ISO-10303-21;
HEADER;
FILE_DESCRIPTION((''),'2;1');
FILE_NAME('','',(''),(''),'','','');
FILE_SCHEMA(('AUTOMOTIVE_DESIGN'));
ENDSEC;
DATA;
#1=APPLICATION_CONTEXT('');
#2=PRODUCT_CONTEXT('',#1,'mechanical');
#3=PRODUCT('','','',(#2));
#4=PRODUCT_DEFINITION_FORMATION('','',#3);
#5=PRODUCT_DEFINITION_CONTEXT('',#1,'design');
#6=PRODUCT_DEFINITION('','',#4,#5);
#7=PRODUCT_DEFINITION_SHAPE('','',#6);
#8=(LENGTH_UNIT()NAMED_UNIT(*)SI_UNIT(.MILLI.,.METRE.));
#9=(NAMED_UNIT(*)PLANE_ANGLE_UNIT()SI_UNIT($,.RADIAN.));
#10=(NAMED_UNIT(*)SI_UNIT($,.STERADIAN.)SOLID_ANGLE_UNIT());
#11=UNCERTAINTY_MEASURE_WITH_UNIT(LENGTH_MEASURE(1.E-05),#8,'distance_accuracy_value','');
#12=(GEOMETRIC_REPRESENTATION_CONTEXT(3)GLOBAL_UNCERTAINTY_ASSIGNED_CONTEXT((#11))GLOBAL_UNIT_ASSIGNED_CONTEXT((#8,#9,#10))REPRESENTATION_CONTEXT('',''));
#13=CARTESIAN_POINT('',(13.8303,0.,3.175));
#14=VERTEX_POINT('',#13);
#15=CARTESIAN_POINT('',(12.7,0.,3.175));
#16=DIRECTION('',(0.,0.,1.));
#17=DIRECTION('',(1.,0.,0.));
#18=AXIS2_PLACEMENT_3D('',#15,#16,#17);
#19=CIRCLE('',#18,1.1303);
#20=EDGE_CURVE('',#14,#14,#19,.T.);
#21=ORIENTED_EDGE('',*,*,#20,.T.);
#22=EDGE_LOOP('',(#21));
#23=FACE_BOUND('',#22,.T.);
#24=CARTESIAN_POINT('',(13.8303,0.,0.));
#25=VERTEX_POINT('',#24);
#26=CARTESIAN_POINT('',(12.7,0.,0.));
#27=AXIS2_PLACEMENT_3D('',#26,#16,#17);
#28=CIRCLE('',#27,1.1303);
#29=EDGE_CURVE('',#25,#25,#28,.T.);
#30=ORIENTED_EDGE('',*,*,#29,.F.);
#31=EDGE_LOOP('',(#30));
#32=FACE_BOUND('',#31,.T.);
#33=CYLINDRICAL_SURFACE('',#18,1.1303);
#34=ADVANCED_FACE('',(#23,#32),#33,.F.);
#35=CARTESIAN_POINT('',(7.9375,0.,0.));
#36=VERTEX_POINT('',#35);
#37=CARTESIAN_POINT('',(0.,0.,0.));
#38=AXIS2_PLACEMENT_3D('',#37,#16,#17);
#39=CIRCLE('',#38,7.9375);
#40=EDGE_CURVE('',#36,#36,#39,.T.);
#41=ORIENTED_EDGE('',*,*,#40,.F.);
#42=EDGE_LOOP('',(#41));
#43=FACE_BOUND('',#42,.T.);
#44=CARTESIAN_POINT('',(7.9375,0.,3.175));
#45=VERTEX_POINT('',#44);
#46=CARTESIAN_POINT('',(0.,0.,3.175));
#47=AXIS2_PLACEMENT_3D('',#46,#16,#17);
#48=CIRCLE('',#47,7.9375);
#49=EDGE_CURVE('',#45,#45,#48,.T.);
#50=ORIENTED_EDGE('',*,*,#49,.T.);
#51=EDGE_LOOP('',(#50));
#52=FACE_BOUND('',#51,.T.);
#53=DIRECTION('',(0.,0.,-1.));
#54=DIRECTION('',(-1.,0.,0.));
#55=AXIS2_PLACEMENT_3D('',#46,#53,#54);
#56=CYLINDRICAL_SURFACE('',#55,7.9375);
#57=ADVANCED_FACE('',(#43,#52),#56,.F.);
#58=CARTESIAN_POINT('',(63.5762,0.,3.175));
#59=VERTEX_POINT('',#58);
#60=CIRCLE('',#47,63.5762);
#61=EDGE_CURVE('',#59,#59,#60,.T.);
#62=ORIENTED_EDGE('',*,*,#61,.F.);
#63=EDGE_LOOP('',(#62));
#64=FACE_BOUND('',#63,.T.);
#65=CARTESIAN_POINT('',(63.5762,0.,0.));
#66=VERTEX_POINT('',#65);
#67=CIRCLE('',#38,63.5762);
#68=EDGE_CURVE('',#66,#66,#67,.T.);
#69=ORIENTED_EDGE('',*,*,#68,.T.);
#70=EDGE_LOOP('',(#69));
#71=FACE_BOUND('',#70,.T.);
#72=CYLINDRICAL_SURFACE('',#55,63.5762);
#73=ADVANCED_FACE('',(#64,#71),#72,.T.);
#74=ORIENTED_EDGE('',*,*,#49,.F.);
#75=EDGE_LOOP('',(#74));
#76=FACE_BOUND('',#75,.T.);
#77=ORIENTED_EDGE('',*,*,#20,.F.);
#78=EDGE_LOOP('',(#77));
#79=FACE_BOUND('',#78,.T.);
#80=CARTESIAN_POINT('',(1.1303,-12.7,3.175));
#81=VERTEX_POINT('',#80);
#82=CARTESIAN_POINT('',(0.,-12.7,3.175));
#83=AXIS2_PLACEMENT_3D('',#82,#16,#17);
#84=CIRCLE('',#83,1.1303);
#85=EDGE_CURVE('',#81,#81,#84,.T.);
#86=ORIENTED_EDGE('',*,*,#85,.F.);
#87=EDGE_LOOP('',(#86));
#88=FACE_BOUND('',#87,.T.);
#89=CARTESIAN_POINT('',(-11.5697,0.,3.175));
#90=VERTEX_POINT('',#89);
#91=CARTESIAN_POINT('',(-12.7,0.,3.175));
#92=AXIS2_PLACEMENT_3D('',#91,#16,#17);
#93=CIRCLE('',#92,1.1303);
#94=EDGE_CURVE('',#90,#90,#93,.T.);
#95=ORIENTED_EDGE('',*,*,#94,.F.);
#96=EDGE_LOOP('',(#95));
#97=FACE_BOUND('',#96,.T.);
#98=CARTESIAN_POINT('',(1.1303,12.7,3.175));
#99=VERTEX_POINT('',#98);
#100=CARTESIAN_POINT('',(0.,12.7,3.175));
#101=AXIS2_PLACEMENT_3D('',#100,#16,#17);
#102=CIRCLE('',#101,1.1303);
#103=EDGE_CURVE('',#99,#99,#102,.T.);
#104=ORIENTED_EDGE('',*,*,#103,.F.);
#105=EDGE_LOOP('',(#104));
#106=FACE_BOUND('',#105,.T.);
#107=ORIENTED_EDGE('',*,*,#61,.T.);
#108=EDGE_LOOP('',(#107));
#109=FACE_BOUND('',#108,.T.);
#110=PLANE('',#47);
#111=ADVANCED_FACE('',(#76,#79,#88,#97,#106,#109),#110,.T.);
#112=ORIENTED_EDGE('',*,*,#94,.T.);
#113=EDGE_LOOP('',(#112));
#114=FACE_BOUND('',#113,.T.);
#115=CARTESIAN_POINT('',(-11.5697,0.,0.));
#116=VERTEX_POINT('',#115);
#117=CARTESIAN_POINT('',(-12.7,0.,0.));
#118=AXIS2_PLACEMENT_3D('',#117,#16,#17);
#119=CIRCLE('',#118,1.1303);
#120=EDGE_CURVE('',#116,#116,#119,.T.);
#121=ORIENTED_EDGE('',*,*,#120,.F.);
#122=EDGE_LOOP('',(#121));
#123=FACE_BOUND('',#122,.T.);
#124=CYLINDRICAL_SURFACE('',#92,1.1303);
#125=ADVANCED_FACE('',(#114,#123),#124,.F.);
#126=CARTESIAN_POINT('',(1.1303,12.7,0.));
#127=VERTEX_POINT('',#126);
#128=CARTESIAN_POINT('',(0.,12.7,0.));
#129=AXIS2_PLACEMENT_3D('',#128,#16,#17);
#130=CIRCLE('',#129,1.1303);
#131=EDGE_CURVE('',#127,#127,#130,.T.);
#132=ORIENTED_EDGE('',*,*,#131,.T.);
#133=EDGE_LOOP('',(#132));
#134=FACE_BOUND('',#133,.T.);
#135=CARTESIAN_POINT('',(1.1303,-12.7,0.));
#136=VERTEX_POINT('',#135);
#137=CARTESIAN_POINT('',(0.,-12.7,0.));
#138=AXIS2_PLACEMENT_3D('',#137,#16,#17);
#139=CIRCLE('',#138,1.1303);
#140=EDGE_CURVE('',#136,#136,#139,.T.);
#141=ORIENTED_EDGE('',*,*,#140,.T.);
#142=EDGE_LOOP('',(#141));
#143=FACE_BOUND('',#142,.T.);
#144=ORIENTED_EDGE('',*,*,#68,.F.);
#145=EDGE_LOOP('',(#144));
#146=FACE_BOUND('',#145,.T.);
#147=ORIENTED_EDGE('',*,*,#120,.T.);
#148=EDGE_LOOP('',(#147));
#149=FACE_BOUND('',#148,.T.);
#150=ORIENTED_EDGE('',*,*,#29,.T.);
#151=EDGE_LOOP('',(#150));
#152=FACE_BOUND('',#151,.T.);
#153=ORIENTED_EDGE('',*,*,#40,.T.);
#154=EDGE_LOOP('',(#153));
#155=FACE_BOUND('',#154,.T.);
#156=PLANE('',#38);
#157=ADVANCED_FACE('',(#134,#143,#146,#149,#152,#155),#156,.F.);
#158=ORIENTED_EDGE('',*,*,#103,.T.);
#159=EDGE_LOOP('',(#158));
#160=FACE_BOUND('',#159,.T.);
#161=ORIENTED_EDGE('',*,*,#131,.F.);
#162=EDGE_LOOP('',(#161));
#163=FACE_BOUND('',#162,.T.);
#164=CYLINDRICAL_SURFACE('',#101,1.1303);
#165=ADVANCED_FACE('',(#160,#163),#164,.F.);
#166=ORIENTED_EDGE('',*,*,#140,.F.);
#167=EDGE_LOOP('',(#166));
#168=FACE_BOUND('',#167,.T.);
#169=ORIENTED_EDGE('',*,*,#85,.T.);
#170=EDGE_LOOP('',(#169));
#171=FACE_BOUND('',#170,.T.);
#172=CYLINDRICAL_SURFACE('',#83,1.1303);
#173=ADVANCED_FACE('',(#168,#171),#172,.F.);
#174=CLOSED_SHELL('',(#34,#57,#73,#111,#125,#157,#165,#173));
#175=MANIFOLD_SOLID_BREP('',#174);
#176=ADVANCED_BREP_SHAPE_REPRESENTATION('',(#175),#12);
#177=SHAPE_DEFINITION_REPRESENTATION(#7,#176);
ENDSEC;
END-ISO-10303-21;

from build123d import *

# Parameters (mm, degrees)
SKETCH1_R                     = 63.5762
SKETCH1_R_2                   = 7.9375
BOSS_EXTRUDE1_DEPTH           = 3.175
TAP_DRILL_FOR_4_40_TAP1_D     = 2.2606
TAP_DRILL_FOR_4_40_TAP1_DEPTH = 4
TAP_DRILL_FOR_4_40_TAP1_TIP   = 0.679152758


with BuildPart() as part:
    # Sketch1 → Boss-Extrude1 (new body)
    with BuildSketch(Plane.XY):
        Circle(SKETCH1_R)
        Circle(SKETCH1_R_2, mode=Mode.SUBTRACT)
    extrude(amount=BOSS_EXTRUDE1_DEPTH)

    # Tap Drill for #4-40 Tap1
    with Locations(Plane.XY.offset(3.175)):
        with Locations((0, 12.7), (0, -12.7), (12.7, 0), (-12.7, 0)):
            Hole(TAP_DRILL_FOR_4_40_TAP1_D / 2, depth=TAP_DRILL_FOR_4_40_TAP1_DEPTH)
            with Locations((0, 0, -(TAP_DRILL_FOR_4_40_TAP1_DEPTH + TAP_DRILL_FOR_4_40_TAP1_TIP / 2))):  # 118° drill point
                Cone(0, TAP_DRILL_FOR_4_40_TAP1_D / 2, TAP_DRILL_FOR_4_40_TAP1_TIP, mode=Mode.SUBTRACT)


solid = part.part
